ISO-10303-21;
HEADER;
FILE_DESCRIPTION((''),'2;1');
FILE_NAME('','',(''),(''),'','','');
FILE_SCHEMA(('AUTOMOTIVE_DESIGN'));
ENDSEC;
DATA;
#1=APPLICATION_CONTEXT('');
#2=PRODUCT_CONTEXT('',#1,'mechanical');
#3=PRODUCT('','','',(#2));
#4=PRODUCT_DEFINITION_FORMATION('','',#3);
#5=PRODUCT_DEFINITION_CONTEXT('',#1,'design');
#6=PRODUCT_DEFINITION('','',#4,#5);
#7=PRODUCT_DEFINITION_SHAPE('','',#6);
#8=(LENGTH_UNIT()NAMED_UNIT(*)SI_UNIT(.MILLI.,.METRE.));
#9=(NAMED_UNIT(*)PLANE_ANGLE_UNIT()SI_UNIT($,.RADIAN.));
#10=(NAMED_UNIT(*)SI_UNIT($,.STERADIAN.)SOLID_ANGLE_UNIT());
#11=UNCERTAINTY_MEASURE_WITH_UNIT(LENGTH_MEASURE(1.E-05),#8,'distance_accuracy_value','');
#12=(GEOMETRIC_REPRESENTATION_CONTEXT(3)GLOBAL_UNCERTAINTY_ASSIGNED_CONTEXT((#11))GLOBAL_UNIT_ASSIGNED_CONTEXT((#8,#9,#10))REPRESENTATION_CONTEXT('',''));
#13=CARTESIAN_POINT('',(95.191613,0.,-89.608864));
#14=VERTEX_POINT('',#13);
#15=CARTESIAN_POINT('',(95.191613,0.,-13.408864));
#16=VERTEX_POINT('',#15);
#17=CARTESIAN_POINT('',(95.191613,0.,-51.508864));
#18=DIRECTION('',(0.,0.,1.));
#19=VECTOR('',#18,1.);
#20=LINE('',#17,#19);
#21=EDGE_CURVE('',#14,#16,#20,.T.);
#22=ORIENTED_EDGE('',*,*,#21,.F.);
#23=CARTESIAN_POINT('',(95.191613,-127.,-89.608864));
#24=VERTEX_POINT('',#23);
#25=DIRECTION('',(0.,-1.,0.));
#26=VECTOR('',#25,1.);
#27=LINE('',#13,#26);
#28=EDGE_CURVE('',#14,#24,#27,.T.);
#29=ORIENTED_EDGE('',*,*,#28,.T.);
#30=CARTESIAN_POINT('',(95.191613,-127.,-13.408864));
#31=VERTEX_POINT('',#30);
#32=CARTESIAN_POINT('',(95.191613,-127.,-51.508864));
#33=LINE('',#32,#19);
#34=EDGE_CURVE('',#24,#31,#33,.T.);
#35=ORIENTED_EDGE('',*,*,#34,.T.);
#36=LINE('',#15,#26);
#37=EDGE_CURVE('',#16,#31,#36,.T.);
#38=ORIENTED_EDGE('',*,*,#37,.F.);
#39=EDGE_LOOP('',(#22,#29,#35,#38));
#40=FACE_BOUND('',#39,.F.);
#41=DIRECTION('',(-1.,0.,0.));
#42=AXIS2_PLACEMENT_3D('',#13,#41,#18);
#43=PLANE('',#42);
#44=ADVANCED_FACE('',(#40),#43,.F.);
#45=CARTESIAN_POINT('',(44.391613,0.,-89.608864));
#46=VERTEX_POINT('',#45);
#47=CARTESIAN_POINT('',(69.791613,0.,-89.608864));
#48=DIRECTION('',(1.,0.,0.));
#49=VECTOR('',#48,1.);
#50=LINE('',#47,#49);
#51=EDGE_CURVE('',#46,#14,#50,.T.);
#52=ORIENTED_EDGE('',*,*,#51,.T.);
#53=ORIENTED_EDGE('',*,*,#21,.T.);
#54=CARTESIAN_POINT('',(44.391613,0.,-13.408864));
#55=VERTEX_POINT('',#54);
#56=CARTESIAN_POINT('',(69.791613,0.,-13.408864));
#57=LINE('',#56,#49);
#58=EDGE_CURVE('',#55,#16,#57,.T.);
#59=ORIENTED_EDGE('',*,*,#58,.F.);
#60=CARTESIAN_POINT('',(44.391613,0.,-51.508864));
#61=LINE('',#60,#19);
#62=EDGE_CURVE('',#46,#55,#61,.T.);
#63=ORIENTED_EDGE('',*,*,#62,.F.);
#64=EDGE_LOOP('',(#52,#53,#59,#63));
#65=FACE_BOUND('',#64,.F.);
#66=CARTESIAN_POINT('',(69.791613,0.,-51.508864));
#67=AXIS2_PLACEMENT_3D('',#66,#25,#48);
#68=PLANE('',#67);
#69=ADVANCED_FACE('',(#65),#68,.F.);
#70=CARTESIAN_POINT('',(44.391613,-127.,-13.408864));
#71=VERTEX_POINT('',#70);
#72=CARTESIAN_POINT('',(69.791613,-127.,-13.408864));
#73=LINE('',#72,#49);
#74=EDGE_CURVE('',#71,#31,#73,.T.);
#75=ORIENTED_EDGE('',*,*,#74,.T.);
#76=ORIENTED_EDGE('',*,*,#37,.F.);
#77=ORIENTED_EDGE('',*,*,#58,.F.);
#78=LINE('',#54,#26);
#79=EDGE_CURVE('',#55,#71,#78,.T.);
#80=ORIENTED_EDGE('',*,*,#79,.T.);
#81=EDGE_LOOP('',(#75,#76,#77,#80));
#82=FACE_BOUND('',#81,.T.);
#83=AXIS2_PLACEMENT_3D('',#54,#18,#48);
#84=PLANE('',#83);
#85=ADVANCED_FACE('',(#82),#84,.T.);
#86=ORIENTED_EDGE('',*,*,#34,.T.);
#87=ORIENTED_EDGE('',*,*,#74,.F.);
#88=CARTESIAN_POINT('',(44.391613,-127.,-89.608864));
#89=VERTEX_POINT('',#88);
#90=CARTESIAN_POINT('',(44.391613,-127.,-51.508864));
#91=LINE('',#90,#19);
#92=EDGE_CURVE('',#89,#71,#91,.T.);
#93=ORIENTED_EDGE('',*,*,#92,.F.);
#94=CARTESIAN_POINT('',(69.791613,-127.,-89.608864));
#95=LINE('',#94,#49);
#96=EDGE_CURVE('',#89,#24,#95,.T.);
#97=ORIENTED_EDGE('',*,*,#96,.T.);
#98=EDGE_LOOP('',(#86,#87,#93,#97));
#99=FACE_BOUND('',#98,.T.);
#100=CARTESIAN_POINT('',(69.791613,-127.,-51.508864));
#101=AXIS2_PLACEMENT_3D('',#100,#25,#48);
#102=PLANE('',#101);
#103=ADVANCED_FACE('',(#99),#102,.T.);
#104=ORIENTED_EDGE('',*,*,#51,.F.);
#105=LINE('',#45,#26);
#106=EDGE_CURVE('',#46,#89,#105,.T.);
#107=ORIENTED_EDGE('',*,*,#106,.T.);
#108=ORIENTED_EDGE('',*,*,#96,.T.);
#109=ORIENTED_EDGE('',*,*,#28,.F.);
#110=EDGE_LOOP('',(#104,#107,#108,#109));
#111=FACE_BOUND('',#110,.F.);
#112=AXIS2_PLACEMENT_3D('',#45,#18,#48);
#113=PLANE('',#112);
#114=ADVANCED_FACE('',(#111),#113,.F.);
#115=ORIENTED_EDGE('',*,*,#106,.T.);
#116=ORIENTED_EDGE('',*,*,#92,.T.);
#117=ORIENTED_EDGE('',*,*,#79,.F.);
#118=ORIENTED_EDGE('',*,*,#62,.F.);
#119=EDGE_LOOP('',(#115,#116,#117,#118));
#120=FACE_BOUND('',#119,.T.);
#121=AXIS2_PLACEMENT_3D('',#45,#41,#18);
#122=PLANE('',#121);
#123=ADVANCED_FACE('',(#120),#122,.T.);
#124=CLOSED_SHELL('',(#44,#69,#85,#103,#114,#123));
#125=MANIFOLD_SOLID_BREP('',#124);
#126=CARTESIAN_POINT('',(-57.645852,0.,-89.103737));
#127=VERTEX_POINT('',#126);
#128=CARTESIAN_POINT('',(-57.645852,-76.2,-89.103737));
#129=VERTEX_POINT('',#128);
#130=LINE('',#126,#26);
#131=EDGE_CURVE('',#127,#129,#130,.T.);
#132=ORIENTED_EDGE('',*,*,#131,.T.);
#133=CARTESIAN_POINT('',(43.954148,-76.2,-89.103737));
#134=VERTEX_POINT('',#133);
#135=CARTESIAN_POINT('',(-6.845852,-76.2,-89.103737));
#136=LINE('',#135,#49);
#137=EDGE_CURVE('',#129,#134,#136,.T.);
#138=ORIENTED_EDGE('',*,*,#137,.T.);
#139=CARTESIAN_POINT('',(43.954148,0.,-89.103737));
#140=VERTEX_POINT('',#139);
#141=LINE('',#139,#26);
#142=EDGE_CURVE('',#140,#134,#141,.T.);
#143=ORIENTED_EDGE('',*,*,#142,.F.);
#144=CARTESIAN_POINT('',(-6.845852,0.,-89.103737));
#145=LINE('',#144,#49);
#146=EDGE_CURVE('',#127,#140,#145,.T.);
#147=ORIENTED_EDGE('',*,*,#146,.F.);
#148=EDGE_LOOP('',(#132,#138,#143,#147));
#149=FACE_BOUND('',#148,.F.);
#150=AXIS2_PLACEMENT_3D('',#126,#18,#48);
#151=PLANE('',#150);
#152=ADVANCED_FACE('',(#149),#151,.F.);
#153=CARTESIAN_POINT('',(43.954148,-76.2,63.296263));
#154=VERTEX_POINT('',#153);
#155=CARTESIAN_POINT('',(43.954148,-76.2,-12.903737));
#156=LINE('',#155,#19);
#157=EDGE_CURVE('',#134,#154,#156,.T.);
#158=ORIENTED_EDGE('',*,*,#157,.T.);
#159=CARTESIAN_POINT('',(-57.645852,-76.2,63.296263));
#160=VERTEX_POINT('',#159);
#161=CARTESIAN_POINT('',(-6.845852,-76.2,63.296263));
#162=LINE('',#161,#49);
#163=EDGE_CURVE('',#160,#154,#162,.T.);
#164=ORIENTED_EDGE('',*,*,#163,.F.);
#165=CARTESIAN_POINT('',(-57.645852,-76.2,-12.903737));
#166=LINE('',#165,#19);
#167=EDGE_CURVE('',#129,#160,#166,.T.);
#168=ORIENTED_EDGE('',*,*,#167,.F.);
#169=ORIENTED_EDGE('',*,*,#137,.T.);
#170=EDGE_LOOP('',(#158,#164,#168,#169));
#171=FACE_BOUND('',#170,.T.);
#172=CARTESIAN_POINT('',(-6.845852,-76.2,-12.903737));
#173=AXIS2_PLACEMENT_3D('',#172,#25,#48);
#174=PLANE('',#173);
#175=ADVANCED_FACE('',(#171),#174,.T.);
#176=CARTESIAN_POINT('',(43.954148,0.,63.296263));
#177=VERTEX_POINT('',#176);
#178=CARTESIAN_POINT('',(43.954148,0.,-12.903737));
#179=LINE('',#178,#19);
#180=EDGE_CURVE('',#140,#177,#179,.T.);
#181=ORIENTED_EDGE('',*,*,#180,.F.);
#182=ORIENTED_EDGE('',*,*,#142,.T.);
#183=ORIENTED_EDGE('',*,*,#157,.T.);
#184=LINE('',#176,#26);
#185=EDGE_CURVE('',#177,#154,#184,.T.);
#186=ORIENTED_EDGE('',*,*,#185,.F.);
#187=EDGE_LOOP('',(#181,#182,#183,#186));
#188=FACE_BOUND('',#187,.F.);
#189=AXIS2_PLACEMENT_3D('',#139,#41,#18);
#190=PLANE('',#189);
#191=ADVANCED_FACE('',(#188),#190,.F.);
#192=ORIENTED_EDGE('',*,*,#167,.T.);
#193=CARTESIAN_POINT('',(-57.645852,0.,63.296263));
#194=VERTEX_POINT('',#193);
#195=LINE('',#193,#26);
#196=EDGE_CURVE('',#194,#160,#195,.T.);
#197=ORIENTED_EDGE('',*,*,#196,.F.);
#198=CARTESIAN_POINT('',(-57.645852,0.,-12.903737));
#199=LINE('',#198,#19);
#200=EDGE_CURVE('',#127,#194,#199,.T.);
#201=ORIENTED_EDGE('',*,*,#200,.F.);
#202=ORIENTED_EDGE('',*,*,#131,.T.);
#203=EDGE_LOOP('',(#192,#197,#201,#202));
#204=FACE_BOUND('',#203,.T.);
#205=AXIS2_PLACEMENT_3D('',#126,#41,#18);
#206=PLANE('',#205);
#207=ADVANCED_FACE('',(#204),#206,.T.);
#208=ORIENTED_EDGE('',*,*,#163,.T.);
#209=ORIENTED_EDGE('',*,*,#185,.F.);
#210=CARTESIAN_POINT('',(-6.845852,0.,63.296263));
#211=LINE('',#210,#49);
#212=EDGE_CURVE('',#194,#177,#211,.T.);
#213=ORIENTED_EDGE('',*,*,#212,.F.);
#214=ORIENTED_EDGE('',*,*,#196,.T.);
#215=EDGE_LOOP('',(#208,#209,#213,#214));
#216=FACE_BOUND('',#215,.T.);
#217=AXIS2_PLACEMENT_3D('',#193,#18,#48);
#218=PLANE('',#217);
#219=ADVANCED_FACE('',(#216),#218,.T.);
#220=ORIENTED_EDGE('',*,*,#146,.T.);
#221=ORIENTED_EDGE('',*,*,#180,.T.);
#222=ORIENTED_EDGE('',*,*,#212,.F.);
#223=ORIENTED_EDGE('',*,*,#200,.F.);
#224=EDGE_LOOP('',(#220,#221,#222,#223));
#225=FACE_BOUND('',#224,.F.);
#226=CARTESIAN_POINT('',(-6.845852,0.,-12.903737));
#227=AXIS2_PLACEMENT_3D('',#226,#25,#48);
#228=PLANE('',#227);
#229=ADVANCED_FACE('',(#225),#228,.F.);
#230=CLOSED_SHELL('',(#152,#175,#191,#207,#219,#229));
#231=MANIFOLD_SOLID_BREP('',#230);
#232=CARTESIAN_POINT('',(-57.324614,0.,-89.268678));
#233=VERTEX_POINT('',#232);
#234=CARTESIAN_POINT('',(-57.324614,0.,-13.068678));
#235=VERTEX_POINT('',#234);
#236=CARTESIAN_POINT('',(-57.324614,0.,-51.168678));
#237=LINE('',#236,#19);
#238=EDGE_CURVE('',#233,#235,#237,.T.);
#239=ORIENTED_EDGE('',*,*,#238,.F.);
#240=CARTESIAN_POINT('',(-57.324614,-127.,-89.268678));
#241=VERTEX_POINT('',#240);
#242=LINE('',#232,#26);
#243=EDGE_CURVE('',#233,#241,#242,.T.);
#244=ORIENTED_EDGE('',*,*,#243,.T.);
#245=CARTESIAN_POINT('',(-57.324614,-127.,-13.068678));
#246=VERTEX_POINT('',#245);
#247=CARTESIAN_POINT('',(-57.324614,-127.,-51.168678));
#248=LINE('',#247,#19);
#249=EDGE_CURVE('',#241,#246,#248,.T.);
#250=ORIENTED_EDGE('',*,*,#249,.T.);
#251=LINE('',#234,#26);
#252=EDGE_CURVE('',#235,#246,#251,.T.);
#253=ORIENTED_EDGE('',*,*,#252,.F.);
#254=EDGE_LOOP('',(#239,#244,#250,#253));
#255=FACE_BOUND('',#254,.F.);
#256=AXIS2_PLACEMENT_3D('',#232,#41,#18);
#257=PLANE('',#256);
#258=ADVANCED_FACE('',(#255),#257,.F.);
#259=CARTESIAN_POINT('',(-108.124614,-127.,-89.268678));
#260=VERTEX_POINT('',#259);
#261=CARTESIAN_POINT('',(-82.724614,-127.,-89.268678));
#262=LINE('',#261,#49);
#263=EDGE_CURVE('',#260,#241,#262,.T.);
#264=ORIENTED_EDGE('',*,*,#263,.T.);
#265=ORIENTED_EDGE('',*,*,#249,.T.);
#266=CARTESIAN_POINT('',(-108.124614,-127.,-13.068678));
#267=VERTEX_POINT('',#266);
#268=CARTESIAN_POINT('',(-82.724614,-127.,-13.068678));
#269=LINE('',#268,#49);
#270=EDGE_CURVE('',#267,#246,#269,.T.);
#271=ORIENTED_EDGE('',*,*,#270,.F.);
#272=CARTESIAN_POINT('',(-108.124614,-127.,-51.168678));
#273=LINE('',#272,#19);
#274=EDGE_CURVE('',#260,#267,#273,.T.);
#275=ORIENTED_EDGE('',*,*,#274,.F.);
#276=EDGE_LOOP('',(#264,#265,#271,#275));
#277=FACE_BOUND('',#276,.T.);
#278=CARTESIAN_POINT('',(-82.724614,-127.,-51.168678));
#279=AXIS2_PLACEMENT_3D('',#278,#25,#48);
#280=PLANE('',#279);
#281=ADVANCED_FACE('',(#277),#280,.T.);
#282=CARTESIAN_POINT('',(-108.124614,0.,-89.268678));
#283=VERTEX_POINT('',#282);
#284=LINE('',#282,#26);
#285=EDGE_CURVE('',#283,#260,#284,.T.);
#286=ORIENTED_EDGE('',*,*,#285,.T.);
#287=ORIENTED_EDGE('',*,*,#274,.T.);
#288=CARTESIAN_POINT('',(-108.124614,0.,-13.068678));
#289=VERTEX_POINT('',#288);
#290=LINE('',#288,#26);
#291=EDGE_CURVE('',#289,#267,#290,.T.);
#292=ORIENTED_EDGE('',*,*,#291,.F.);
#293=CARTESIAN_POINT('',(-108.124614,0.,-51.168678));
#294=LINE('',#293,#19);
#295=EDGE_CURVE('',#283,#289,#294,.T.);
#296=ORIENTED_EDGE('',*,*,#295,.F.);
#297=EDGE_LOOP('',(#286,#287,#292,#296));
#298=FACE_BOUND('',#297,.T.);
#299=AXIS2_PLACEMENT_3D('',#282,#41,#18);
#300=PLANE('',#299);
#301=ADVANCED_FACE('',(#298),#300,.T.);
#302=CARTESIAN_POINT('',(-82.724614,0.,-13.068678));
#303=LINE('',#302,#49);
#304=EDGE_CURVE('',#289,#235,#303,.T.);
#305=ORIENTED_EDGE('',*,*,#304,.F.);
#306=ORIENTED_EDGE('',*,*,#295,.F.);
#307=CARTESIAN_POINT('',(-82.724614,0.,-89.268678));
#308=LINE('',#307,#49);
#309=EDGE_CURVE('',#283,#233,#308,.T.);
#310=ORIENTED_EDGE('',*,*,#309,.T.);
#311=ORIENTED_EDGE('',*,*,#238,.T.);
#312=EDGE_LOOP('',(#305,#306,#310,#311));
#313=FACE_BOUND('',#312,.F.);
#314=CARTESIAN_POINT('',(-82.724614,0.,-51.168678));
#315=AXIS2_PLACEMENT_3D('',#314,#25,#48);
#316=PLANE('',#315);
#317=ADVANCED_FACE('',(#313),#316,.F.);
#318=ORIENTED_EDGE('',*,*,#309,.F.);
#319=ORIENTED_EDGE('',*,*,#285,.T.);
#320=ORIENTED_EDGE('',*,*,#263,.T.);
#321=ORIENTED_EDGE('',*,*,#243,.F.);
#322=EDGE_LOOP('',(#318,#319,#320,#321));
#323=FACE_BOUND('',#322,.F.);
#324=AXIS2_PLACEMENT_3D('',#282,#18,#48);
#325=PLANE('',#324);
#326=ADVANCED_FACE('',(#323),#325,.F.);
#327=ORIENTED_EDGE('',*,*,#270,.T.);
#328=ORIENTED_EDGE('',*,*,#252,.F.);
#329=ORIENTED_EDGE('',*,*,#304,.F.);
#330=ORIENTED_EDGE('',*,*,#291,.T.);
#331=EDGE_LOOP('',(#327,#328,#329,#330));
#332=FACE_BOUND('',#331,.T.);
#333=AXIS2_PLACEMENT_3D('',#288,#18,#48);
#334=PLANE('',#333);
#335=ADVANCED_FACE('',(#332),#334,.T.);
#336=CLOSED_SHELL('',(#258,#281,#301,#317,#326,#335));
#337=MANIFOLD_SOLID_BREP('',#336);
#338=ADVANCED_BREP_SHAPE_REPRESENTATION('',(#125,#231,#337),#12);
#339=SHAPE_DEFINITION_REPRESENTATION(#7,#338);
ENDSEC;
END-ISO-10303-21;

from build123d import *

# Parameters (mm, degrees)
F0_W     = 50.8
F0_H     = 76.2
F1_DEPTH = 127
F2_DEPTH = 127
F3_W     = 101.6
F3_H     = 152.4
F4_DEPTH = 76.2


with BuildPart() as f1:
    # F0 (on Front) → F1 (new body)
    with BuildSketch(Plane.XZ):
        with Locations((-82.724614, -51.168678)):
            Rectangle(F0_W, F0_H)
    extrude(amount=F1_DEPTH)

    # F0 (on Front) → F2 (join)
    with BuildSketch(Plane.XZ):
        with Locations((-82.724614, -51.168678)):
            Rectangle(F0_W, F0_H)
        with Locations((69.791613, -51.508864)):
            Rectangle(F0_W, F0_H)
    extrude(amount=F2_DEPTH)


with BuildPart() as f4:
    # F3 (on Front) → F4 (new body)
    with BuildSketch(Plane.XZ):
        with Locations((-6.845852, -12.903737)):
            Rectangle(F3_W, F3_H)
    extrude(amount=F4_DEPTH)


solid = Compound([f1.part, f4.part])
